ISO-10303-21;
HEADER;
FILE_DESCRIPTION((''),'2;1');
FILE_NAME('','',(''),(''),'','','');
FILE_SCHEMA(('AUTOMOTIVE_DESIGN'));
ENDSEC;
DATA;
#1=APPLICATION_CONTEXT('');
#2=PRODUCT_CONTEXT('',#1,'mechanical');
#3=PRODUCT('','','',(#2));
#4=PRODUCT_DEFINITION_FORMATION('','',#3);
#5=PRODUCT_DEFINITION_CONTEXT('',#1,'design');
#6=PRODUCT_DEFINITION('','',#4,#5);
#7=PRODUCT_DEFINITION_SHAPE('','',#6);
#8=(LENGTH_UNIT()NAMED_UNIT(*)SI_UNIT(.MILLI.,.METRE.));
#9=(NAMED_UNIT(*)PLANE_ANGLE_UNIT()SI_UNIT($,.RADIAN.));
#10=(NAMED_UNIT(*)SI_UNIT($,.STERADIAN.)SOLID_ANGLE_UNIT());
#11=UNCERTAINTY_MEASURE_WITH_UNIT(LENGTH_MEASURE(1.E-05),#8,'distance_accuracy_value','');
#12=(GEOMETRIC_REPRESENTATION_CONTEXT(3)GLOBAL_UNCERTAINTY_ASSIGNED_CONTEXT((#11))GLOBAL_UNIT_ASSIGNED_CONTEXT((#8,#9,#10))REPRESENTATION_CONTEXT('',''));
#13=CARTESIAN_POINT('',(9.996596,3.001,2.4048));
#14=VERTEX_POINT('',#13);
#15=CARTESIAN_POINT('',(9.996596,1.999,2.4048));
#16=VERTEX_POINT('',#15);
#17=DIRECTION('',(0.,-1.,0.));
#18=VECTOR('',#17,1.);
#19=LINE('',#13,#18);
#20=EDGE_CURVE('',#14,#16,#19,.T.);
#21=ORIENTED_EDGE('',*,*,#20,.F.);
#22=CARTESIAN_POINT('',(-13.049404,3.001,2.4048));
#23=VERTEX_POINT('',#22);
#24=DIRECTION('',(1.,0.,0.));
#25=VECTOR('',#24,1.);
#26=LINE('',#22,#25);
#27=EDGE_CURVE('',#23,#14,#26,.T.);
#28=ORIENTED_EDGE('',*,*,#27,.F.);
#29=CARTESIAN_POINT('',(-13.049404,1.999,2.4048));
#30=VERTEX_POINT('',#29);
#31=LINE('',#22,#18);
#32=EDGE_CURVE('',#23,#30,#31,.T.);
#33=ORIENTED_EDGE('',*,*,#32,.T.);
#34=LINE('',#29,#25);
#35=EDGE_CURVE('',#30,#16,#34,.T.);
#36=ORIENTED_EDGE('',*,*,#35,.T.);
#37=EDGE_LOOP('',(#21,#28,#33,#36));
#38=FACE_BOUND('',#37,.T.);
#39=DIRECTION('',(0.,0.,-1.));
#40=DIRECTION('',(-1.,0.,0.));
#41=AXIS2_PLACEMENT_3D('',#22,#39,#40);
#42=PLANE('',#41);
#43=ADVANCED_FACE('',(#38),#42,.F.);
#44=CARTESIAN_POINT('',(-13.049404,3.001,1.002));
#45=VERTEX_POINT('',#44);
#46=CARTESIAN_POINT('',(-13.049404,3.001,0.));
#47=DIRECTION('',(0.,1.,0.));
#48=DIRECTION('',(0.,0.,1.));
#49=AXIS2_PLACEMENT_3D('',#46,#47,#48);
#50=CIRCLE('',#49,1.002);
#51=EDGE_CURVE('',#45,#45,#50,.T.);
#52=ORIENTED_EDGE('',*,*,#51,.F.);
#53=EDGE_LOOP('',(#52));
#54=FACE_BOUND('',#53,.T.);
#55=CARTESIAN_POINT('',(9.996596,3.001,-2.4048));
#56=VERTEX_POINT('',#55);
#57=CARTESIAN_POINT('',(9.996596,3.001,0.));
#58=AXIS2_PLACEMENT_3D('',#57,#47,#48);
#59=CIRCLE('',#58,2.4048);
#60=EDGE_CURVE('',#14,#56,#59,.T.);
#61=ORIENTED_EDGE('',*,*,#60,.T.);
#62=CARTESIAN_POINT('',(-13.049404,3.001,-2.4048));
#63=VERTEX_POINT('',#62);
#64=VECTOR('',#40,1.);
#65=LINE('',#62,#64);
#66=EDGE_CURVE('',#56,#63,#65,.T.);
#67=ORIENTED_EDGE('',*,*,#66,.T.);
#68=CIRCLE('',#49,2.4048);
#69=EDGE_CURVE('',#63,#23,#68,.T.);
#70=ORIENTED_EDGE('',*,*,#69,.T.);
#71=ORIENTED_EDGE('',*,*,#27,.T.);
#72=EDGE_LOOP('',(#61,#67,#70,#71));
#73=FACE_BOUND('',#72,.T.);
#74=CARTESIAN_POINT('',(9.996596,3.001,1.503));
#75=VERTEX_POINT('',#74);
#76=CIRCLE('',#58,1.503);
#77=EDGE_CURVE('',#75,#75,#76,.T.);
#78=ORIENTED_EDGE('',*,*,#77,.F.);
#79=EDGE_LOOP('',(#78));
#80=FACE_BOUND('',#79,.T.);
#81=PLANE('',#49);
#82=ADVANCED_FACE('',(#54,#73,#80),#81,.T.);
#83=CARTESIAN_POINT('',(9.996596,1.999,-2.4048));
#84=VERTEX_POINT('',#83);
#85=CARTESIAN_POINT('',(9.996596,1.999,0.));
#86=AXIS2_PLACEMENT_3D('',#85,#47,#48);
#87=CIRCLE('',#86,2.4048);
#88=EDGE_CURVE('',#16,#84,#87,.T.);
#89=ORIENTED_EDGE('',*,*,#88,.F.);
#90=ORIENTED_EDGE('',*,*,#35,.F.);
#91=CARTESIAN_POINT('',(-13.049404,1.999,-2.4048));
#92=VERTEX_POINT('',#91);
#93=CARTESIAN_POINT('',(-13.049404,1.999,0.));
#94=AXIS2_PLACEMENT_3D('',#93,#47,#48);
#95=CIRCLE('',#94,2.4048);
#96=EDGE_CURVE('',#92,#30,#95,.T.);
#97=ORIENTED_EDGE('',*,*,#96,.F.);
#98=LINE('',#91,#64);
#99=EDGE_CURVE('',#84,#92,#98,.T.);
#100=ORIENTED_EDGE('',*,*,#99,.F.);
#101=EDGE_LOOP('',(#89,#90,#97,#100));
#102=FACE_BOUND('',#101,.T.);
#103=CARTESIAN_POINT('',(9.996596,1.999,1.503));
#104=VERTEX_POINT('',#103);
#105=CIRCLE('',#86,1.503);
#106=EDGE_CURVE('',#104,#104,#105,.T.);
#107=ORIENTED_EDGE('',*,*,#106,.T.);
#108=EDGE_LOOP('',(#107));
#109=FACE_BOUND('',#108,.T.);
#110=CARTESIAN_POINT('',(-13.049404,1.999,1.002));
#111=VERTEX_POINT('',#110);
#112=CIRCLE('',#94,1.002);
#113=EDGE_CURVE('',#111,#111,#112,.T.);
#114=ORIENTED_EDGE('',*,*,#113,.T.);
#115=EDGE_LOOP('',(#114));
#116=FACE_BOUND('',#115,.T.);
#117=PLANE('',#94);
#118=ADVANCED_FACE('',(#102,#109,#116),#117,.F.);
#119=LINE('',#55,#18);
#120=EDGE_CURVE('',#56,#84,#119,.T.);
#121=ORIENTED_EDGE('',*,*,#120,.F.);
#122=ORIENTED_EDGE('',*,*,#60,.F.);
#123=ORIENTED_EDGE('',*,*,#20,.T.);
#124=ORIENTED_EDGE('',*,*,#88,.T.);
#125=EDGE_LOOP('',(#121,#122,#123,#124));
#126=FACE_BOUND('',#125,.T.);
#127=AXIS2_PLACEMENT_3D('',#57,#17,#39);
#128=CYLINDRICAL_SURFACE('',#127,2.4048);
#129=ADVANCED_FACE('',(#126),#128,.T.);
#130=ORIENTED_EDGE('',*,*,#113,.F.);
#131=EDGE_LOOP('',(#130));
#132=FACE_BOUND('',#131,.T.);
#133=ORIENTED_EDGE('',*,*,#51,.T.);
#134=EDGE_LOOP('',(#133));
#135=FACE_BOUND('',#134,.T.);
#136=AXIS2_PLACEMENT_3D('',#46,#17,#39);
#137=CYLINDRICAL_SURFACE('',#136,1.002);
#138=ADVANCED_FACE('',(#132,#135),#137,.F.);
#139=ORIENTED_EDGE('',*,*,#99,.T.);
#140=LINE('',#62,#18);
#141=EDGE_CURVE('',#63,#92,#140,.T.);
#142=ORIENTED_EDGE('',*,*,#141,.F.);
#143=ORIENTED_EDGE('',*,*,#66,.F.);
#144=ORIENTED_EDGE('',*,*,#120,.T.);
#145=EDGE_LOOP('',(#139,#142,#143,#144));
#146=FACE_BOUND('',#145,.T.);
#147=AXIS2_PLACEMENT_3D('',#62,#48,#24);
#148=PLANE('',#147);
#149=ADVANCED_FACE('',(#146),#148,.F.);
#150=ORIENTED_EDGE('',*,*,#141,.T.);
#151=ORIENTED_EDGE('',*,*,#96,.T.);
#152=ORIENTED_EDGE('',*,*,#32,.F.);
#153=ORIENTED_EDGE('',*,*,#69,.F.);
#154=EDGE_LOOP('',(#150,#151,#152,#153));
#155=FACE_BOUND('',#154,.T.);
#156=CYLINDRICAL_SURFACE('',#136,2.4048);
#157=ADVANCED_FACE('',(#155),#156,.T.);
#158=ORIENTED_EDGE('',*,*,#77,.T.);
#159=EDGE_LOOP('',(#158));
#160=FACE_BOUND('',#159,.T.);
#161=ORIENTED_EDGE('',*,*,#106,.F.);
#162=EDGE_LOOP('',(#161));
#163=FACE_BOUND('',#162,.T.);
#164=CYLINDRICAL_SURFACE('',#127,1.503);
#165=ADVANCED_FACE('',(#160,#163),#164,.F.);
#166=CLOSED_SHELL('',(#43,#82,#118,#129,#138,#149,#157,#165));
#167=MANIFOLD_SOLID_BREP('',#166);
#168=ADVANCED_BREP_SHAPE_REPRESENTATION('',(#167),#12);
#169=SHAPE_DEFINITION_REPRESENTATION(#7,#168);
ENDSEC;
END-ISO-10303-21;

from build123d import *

# Parameters (mm, degrees)
SKETCH1_R           = 5
SKETCH1_R_2         = 7.5
BOSS_EXTRUDE1_DEPTH = 5
SCALE2_SCALE        = 0.2004


with BuildPart() as part:
    # Sketch1 → Boss-Extrude1 (new body)
    with BuildSketch(Plane(origin=(0, 0, 0), x_dir=(1, 0, 0), z_dir=(0, 1, 0))):
        with BuildLine():
            Line((-57.5, 12), (57.5, 12))
            ThreePointArc((57.5, 12), (69.5, 0), (57.5, -12))
            Line((57.5, -12), (-57.5, -12))
            ThreePointArc((-57.5, -12), (-69.5, 0), (-57.5, 12))
        make_face()
        with Locations(Location((-57.5, 0, 0), (0, 0, 270))):
            Circle(SKETCH1_R, mode=Mode.SUBTRACT)
        with Locations(Location((57.5, 0, 0), (0, 0, 270))):
            Circle(SKETCH1_R_2, mode=Mode.SUBTRACT)
    extrude(amount=BOSS_EXTRUDE1_DEPTH)


with BuildPart() as part_1:
    # Scale2: scaled about (-1.908958981, 2.5, 0)
    add(part.part.scale(SCALE2_SCALE).moved(Location((-1.526403601, 1.999, 0))))


solid = part_1.part
